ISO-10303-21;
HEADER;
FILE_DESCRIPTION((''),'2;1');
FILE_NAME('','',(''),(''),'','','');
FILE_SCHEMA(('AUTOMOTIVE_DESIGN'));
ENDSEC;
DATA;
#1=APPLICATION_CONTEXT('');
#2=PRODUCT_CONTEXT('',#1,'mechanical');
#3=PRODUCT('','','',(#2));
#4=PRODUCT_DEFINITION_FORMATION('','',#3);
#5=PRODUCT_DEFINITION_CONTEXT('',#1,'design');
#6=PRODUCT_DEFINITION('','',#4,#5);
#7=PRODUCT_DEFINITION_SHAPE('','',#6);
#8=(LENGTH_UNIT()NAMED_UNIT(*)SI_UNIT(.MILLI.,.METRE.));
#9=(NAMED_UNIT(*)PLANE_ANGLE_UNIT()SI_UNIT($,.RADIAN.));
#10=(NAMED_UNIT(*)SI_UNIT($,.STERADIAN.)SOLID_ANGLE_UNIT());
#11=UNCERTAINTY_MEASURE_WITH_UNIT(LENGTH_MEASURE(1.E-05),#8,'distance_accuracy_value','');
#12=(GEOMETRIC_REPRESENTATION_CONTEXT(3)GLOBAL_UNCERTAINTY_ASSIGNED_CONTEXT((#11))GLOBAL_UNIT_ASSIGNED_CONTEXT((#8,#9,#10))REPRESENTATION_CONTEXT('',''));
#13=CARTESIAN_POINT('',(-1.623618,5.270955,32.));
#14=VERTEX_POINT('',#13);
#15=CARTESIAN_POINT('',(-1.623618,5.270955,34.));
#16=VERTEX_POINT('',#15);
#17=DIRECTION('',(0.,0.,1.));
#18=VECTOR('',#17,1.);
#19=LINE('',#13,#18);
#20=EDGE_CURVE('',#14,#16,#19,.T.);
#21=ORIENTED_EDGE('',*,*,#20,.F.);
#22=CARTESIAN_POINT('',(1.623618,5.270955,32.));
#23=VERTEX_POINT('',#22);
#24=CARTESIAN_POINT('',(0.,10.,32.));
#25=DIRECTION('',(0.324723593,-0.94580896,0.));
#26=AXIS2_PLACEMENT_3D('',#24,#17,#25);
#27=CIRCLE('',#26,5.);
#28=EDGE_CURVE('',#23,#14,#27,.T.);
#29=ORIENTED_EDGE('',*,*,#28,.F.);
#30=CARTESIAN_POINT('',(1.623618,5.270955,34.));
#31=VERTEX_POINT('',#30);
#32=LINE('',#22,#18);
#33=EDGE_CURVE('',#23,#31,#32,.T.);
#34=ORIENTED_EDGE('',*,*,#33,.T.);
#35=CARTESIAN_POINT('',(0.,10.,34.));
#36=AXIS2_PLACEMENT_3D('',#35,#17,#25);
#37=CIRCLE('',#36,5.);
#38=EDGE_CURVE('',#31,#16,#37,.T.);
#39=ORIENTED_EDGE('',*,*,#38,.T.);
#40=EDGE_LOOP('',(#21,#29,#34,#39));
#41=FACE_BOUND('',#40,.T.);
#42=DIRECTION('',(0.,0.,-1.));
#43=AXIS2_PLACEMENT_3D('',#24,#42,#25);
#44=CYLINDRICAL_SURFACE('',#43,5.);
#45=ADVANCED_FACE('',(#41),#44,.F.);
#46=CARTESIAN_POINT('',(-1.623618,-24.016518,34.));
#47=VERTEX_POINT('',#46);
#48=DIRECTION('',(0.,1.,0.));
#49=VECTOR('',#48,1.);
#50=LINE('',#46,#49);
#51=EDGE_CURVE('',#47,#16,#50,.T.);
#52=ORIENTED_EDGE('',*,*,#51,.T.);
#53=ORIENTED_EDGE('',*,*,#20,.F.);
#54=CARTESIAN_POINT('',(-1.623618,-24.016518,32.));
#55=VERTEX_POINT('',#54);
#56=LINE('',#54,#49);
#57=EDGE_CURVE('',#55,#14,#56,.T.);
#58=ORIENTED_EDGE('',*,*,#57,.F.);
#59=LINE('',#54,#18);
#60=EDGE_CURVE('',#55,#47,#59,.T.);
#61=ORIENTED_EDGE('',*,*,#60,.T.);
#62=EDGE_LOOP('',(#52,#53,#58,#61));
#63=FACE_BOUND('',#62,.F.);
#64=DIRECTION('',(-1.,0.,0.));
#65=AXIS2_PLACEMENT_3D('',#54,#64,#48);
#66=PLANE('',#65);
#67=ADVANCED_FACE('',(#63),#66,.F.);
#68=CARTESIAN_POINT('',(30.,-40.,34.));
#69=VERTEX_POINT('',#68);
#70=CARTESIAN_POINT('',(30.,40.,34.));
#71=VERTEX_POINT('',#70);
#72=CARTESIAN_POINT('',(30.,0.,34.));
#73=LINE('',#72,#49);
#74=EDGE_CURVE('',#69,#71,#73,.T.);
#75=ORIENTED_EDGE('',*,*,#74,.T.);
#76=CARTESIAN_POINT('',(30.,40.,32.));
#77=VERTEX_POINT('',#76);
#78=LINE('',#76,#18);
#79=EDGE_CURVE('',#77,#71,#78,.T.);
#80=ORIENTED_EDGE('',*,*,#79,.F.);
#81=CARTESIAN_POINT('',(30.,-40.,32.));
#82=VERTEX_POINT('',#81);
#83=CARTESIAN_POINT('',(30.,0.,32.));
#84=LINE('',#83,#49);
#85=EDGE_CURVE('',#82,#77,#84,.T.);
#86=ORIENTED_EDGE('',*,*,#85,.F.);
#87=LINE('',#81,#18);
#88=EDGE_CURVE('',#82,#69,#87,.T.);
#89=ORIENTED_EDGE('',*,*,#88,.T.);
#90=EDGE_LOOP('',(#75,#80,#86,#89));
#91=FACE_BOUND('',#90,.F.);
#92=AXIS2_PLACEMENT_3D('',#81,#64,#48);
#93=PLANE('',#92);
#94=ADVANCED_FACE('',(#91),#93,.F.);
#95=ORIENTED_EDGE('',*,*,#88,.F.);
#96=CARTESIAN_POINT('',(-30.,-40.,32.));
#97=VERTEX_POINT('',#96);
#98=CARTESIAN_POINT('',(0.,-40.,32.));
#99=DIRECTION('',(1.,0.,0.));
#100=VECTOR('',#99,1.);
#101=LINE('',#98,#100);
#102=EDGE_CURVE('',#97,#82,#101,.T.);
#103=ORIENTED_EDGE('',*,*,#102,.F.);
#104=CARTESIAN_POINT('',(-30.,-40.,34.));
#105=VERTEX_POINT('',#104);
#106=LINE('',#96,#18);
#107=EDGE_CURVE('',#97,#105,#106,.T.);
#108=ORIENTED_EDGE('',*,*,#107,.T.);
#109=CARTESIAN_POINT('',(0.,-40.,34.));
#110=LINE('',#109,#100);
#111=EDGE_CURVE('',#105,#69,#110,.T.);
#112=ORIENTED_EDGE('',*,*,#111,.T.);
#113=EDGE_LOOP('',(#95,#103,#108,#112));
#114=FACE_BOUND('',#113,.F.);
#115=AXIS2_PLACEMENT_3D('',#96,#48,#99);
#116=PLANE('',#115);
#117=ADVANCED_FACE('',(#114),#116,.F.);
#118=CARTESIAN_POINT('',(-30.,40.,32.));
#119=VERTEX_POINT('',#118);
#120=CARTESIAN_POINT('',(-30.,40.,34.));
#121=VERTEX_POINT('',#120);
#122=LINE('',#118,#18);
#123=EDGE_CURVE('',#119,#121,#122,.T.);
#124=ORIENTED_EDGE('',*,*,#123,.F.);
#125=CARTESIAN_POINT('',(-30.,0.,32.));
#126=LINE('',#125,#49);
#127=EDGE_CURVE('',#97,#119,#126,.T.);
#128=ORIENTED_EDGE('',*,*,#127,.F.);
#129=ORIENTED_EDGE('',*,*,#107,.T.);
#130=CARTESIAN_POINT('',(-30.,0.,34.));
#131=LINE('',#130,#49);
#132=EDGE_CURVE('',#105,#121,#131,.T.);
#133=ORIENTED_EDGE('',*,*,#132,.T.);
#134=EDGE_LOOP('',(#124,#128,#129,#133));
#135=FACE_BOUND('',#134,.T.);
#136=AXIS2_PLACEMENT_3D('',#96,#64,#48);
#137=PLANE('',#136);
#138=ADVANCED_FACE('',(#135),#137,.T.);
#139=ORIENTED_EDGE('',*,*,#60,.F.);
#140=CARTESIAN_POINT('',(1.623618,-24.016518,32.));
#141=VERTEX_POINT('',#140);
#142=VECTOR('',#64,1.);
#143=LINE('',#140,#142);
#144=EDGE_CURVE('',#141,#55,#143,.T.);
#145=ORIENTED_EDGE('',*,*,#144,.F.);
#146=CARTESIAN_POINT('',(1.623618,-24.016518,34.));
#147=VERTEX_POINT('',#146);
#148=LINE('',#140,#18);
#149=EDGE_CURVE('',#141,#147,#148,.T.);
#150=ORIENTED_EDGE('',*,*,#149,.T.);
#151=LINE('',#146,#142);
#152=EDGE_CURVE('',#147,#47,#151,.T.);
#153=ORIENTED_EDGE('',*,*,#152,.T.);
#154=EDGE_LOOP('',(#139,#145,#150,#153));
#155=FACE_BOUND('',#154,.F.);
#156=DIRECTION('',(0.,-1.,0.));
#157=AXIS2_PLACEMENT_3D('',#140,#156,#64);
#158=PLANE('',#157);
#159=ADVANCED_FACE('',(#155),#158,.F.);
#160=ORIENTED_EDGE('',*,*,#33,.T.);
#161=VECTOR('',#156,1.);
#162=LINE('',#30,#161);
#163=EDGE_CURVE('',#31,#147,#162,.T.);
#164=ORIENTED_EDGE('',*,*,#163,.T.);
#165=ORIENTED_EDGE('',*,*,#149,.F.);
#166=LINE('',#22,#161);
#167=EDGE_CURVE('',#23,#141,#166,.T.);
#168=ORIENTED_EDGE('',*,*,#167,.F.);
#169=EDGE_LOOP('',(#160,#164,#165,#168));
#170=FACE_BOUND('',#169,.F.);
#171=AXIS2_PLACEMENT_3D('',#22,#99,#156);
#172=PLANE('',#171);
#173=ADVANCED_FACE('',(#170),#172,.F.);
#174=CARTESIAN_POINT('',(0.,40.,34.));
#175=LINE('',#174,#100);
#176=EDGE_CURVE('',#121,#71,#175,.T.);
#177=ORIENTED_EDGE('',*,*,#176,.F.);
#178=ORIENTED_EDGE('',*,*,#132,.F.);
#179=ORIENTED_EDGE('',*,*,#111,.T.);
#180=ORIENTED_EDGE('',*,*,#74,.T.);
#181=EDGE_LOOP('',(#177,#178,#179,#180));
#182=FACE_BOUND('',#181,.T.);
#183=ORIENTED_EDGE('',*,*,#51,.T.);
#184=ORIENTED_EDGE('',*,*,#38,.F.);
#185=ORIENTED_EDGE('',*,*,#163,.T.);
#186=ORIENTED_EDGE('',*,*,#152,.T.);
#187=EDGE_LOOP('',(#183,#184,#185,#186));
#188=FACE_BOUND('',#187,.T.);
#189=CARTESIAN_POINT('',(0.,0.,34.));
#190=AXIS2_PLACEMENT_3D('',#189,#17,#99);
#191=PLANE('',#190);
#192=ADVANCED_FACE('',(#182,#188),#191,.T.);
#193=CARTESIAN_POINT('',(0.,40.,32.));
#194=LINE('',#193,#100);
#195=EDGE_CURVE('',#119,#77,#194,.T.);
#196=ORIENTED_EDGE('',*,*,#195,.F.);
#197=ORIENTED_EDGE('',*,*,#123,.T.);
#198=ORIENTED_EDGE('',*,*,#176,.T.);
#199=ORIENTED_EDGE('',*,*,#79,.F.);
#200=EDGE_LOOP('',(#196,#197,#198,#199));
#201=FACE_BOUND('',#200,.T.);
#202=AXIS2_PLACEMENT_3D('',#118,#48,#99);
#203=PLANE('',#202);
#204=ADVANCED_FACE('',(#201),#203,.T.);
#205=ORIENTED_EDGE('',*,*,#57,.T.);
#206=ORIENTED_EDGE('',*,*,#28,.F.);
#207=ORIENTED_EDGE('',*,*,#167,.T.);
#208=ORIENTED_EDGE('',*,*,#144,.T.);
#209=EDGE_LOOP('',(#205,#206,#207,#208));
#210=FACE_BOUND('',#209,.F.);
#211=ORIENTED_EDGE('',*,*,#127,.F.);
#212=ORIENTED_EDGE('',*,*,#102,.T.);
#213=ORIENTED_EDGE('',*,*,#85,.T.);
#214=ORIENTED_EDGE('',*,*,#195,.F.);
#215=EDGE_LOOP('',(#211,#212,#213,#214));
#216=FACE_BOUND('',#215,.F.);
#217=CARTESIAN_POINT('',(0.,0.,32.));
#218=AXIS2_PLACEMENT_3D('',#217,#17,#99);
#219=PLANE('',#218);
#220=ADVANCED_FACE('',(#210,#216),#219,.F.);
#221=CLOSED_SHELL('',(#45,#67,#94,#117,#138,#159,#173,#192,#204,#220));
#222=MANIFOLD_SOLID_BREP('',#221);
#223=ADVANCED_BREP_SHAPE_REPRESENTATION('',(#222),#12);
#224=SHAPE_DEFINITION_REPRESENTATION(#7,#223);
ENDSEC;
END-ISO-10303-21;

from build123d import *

# Parameters (mm, degrees)
SKETCH_W  = 60
SKETCH_H  = 80
PAD_DEPTH = 2


with BuildPart() as part:
    # Sketch → Pad (new body)
    with BuildSketch(Plane.XY.offset(32)):
        Rectangle(SKETCH_W, SKETCH_H)
        with BuildLine():
            ThreePointArc((1.623618, 5.270955), (0, 15), (-1.623618, 5.270955))
            Line((-1.623618, -24.016518), (-1.623618, 5.270955))
            Line((1.623618, -24.016518), (-1.623618, -24.016518))
            Line((1.623618, 5.270955), (1.623618, -24.016518))
        make_face(mode=Mode.SUBTRACT)
    extrude(amount=PAD_DEPTH)


solid = part.part
